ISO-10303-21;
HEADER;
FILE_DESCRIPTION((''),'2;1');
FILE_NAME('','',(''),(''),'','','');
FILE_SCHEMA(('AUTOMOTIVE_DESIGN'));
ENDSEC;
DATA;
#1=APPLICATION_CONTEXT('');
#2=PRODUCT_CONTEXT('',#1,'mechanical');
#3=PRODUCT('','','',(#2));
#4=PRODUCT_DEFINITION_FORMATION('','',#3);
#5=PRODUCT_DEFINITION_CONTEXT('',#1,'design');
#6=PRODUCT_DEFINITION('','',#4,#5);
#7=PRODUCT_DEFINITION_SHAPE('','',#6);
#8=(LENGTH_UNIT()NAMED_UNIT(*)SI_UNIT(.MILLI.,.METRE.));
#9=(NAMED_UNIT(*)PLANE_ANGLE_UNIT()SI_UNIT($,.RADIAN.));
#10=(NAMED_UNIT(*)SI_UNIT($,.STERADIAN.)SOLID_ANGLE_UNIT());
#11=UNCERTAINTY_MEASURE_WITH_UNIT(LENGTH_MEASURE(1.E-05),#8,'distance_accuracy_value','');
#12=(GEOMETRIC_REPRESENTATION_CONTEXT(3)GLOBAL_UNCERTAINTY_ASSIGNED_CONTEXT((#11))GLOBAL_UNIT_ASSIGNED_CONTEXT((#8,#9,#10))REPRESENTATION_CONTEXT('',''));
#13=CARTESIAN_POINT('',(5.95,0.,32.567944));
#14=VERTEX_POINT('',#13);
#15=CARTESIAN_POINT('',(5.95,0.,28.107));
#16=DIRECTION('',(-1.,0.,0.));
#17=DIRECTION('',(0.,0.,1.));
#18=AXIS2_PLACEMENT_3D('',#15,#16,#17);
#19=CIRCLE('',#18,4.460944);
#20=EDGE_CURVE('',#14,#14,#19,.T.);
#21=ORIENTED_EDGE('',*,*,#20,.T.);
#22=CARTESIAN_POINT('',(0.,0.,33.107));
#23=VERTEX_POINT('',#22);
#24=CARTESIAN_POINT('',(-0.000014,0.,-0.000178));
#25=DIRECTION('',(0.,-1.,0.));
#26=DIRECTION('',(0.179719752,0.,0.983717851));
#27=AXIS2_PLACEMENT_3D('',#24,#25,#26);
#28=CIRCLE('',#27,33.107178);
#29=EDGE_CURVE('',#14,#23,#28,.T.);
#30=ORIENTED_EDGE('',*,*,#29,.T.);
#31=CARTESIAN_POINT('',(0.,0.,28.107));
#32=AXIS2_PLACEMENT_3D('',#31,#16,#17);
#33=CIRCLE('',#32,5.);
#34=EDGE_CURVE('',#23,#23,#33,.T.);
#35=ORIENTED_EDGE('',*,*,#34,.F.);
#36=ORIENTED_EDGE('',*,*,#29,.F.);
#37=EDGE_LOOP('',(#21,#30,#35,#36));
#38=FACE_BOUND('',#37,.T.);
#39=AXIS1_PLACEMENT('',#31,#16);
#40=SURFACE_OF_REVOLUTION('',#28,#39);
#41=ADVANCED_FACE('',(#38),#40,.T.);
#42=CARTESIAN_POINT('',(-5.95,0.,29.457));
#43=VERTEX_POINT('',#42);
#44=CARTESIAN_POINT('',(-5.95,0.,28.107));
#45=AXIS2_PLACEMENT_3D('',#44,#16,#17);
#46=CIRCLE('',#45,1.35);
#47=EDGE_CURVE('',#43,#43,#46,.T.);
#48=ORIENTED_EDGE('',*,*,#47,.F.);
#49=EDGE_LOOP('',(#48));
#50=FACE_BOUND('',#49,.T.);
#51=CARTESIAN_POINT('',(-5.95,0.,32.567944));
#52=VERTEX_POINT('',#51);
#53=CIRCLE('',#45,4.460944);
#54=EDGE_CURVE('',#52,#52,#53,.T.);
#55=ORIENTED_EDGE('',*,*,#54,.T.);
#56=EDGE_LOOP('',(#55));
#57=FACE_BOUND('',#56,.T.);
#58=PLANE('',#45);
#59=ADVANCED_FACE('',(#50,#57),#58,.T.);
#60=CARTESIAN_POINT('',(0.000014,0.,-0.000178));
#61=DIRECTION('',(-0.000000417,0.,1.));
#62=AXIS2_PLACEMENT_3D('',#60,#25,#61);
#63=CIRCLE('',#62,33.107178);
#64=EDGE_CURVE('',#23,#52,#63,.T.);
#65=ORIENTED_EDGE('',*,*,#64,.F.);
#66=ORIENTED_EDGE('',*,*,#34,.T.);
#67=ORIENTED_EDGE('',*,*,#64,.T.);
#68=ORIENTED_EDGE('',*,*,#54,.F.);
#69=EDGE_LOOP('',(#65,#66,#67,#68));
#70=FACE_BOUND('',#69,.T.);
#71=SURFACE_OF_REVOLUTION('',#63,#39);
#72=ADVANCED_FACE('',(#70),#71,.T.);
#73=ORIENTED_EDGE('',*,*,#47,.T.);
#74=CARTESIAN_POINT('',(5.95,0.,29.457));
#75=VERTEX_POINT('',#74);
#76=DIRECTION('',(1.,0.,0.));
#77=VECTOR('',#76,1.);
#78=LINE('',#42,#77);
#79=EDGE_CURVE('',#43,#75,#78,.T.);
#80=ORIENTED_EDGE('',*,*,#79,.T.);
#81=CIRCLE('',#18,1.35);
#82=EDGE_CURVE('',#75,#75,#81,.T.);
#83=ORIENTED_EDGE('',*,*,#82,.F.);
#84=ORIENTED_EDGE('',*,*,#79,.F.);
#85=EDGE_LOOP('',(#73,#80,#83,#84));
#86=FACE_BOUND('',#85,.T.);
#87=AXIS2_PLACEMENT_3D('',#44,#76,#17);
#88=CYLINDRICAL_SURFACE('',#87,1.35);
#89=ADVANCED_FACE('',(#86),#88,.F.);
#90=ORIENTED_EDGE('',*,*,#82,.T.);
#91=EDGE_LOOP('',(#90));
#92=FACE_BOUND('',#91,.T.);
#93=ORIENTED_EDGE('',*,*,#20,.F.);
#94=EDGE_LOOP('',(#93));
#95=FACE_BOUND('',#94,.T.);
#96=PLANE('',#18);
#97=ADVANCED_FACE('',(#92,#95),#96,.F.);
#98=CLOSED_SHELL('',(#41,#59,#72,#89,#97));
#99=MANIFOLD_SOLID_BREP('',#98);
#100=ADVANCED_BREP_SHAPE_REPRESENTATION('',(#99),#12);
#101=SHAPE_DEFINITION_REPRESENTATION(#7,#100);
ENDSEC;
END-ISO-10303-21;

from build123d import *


with BuildPart() as f1:
    # F0 (on Front) → F1 (revolve)
    with BuildSketch(Plane.XZ):
        with BuildLine():
            Line((5.95, 29.457), (5.95, 32.567944))
            ThreePointArc((5.95, 32.567944), (2.987184, 32.97196), (0, 33.107))
            Line((0, 33.107), (0, 29.457))
            Line((0, 29.457), (5.95, 29.457))
        make_face()
        with BuildLine():
            ThreePointArc((0, 33.107), (-2.987184, 32.97196), (-5.95, 32.567944))
            Line((-5.95, 32.567944), (-5.95, 29.457))
            Line((-5.95, 29.457), (0, 29.457))
            Line((0, 29.457), (0, 33.107))
        make_face()
    revolve(axis=Axis((0, 0, 28.107), (-1, 0, 0)))


solid = f1.part
